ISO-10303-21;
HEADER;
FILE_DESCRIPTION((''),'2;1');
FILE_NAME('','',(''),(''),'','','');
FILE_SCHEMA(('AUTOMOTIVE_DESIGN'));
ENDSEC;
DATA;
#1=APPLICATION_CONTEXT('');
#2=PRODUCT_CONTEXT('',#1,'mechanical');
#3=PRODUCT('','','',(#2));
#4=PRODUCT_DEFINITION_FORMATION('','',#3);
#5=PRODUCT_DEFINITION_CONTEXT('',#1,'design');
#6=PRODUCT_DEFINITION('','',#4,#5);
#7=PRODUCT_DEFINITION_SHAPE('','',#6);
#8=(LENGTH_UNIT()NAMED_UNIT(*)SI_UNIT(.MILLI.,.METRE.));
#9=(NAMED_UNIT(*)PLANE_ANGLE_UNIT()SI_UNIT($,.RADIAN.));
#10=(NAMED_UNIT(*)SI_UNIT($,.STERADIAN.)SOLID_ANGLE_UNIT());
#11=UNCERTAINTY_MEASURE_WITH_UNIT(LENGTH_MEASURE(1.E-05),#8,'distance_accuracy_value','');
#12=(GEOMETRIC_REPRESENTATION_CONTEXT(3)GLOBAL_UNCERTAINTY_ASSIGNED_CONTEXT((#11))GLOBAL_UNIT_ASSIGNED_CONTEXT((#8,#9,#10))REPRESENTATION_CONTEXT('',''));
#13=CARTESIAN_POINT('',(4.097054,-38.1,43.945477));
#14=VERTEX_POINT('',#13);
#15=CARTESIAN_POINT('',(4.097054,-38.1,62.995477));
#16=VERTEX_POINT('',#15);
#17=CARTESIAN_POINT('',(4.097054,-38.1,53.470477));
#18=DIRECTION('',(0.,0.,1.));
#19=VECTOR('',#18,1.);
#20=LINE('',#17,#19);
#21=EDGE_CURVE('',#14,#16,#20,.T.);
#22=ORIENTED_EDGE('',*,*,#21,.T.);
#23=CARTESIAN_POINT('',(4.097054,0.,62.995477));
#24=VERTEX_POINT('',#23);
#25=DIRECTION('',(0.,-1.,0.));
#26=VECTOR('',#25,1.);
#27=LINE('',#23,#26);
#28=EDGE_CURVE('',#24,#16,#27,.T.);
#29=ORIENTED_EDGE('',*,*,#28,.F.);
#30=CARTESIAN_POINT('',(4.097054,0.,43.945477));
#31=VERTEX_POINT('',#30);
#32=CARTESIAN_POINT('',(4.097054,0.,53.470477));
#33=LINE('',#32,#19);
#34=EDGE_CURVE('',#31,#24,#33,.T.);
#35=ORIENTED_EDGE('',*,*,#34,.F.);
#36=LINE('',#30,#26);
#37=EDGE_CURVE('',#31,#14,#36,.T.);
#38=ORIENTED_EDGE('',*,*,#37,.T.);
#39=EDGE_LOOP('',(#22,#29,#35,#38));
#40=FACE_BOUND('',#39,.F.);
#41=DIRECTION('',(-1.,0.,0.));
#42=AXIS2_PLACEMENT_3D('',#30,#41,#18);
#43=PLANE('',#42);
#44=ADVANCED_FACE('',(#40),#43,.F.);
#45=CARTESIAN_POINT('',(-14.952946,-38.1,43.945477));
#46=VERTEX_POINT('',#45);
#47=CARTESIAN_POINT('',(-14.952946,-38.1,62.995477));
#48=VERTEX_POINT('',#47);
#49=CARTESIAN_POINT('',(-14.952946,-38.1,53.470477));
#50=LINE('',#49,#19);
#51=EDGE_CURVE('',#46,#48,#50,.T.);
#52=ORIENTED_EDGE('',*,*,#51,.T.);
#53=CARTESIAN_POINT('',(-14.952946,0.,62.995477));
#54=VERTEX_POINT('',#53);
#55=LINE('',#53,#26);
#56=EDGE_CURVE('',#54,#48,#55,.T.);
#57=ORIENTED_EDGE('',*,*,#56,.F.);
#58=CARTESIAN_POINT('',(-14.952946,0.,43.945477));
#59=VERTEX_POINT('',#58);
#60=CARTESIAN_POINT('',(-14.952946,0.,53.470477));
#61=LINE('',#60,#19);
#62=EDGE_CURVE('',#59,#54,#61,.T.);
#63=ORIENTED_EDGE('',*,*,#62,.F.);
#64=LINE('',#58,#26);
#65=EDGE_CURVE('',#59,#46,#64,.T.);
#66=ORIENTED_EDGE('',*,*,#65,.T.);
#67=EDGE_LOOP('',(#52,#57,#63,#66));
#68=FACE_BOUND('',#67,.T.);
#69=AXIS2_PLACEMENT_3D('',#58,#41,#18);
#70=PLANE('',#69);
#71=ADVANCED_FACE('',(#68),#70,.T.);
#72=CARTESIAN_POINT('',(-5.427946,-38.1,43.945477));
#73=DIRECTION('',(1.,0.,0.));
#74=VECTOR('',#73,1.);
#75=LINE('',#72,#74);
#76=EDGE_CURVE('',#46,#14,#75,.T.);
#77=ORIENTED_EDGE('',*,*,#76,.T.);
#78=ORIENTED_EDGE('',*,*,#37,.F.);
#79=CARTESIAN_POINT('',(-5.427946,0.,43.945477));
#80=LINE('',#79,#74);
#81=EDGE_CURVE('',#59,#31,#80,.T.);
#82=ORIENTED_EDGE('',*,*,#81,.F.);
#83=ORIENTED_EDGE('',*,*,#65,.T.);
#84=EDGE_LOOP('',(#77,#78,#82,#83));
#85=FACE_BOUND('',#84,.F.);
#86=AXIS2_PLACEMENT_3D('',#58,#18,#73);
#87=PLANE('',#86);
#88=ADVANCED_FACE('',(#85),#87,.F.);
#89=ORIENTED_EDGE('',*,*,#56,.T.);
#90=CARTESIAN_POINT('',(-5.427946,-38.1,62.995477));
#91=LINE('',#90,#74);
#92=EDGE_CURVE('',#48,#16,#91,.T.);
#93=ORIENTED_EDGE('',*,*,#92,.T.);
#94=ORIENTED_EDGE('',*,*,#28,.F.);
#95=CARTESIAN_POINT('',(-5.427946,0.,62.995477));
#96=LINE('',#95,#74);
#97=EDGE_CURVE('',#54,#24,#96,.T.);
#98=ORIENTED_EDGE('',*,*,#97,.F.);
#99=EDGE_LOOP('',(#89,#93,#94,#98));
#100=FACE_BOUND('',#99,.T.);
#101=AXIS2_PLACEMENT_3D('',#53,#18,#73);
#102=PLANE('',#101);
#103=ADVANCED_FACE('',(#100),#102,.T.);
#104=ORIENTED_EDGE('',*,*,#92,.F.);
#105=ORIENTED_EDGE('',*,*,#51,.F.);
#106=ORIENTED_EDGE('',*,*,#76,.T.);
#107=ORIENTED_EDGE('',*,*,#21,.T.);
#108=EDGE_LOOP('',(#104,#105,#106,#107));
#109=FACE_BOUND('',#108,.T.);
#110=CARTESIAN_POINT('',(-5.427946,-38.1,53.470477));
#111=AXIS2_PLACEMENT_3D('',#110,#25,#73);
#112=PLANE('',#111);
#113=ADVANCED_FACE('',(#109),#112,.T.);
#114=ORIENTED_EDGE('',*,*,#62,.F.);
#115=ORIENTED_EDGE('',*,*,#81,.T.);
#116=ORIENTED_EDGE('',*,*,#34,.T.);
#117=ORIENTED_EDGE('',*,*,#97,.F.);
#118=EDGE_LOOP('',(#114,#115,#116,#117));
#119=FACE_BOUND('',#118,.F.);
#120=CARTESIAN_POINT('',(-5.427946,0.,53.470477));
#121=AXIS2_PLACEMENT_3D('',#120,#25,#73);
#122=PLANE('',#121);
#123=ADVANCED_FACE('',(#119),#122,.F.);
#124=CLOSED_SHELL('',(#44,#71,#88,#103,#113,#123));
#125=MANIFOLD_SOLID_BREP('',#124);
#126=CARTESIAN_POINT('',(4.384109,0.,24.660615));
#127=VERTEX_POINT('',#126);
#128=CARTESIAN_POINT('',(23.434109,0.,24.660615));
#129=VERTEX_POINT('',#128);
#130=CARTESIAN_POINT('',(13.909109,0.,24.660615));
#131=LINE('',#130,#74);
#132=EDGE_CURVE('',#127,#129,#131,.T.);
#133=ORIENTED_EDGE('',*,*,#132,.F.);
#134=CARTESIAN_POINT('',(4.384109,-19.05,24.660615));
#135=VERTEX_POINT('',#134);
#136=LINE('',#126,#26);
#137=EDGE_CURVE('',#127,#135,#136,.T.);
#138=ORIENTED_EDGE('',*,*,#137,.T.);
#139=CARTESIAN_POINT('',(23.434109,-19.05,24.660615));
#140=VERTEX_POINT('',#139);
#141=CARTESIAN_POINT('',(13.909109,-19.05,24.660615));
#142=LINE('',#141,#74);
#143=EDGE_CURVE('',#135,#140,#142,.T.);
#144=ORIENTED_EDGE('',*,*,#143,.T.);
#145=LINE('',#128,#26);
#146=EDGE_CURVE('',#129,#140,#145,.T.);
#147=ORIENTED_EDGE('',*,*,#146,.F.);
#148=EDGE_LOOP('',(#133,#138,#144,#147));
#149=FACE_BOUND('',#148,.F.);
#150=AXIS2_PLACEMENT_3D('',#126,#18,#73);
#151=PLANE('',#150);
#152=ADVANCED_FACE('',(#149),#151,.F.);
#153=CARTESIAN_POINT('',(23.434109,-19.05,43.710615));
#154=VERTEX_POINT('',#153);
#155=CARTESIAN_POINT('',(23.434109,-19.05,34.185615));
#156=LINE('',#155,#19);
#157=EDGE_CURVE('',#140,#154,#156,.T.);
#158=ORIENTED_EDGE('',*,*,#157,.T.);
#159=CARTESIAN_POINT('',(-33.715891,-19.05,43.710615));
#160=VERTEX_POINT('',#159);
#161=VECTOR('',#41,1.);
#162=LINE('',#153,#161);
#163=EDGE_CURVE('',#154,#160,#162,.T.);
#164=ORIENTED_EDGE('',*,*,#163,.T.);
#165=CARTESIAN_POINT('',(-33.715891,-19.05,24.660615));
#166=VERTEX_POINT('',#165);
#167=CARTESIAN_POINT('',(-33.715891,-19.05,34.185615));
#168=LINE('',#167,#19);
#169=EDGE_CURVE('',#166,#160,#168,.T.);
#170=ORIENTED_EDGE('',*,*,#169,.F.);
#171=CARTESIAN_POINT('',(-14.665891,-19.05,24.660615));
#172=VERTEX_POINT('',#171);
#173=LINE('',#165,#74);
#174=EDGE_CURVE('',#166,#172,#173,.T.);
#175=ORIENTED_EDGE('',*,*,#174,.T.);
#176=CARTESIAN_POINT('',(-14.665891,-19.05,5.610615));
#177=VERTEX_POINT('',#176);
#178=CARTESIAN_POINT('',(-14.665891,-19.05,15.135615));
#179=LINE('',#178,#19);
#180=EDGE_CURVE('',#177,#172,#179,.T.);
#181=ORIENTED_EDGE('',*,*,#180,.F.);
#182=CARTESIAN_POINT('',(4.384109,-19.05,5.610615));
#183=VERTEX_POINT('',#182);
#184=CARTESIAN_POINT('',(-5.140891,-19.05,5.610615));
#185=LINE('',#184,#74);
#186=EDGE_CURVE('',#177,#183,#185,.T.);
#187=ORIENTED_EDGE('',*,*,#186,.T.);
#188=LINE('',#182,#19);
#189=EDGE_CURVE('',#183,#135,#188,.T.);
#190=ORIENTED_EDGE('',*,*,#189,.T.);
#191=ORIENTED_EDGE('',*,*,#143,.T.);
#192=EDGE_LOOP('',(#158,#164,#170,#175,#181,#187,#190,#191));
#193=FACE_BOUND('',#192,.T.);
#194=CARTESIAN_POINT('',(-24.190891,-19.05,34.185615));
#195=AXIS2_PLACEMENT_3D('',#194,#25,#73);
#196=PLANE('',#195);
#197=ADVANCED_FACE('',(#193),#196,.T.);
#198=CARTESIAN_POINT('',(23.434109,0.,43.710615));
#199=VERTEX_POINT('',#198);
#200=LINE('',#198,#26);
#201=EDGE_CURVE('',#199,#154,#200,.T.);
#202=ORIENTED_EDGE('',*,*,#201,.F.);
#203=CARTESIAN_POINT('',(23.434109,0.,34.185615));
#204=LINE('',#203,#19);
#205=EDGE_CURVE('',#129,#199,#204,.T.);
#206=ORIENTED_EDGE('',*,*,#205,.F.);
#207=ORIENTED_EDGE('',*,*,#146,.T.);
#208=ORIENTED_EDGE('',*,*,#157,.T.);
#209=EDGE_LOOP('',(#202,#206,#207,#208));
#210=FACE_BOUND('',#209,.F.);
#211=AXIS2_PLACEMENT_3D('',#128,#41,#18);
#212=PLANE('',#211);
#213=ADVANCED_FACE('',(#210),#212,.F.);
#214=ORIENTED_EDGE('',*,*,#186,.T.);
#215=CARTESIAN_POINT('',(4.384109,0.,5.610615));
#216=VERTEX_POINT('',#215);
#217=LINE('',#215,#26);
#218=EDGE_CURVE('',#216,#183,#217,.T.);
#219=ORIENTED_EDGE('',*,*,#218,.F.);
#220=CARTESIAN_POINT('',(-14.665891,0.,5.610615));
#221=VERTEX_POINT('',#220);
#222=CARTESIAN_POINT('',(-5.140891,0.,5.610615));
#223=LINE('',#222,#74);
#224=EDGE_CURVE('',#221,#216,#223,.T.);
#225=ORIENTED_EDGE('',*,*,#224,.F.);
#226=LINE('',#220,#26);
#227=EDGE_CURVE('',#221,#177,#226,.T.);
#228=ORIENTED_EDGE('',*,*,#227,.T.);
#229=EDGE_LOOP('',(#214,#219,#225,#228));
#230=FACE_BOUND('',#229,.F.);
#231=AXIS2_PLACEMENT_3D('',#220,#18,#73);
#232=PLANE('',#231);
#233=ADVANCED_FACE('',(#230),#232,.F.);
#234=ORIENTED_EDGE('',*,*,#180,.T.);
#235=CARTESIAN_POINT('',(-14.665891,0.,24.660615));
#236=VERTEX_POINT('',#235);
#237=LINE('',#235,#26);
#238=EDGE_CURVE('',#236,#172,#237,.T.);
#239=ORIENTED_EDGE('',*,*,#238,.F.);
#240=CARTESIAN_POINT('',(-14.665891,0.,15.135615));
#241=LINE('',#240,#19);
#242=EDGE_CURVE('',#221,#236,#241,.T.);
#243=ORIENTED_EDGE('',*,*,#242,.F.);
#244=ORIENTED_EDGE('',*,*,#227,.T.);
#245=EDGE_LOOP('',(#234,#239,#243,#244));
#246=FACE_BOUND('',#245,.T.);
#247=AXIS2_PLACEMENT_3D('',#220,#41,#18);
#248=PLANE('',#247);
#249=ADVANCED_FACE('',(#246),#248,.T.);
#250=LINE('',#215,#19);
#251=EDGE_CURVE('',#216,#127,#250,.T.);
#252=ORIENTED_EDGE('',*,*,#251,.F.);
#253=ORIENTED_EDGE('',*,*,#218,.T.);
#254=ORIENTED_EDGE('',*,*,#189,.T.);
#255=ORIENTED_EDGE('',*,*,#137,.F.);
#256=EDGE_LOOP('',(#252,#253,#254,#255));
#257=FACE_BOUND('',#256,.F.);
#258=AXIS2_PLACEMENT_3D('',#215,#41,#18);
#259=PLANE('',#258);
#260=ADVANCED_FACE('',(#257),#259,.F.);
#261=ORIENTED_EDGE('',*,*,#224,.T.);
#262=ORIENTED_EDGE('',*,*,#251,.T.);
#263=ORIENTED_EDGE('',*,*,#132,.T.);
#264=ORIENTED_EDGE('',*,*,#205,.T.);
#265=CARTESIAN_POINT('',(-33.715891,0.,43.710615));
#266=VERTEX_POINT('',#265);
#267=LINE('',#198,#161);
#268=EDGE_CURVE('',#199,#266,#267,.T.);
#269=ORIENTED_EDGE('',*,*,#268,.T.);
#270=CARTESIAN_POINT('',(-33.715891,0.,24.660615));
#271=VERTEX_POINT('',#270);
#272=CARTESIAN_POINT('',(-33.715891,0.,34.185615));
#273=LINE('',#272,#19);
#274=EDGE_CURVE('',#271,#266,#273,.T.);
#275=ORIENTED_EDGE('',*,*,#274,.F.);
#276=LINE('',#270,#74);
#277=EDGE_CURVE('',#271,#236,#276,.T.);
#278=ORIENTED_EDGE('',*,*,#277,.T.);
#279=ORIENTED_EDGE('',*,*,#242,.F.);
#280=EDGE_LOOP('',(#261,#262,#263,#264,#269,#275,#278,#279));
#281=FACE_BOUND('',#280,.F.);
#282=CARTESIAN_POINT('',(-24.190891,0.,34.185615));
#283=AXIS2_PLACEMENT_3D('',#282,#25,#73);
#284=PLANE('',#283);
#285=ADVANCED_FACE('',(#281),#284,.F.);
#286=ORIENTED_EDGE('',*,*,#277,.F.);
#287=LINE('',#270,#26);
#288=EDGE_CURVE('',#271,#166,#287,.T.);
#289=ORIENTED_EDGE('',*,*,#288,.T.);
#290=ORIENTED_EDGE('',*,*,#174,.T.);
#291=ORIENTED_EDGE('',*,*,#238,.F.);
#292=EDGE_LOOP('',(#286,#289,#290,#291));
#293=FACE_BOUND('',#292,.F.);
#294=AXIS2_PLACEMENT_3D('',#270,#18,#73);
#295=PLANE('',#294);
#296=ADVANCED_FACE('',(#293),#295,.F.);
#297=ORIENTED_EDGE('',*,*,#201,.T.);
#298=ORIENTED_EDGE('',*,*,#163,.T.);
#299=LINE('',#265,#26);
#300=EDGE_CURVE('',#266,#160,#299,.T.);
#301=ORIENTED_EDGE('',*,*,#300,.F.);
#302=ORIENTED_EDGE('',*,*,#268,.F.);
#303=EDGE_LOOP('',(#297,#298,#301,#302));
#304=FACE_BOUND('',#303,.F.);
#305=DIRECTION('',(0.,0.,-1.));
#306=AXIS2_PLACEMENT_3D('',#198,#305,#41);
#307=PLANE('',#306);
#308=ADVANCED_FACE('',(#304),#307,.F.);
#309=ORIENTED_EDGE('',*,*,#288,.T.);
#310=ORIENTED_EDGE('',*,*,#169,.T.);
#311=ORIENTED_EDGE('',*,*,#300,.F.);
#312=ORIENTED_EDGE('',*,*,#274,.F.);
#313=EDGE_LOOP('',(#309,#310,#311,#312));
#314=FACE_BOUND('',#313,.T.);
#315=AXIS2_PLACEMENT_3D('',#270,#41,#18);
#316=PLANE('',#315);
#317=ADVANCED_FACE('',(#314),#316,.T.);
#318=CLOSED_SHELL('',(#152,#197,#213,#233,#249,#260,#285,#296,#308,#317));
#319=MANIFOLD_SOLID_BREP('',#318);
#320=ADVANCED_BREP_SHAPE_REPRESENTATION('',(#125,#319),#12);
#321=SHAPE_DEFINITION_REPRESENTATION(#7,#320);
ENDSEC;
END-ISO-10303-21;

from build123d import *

# Parameters (mm, degrees)
F0_W     = 19.05
F0_H     = 19.05
F2_DEPTH = 19.05
F1_W     = 19.05
F1_H     = 19.05
F3_DEPTH = 38.1


with BuildPart() as f2:
    # F0 (on Front) → F2 (new body)
    with BuildSketch(Plane.XZ):
        with Locations((-24.190891, 34.185615)):
            Rectangle(F0_W, F0_H)
        with Locations((-5.140891, 34.185615)):
            Rectangle(F0_W, F0_H)
        with Locations((-5.140891, 15.135615)):
            Rectangle(F0_W, F0_H)
        with Locations((13.909109, 34.185615)):
            Rectangle(F0_W, F0_H)
    extrude(amount=F2_DEPTH)


with BuildPart() as f3:
    # F1 (on Front) → F3 (new body)
    with BuildSketch(Plane.XZ):
        with Locations((-5.427946, 53.470477)):
            Rectangle(F1_W, F1_H)
    extrude(amount=F3_DEPTH)


solid = Compound([f2.part, f3.part])
